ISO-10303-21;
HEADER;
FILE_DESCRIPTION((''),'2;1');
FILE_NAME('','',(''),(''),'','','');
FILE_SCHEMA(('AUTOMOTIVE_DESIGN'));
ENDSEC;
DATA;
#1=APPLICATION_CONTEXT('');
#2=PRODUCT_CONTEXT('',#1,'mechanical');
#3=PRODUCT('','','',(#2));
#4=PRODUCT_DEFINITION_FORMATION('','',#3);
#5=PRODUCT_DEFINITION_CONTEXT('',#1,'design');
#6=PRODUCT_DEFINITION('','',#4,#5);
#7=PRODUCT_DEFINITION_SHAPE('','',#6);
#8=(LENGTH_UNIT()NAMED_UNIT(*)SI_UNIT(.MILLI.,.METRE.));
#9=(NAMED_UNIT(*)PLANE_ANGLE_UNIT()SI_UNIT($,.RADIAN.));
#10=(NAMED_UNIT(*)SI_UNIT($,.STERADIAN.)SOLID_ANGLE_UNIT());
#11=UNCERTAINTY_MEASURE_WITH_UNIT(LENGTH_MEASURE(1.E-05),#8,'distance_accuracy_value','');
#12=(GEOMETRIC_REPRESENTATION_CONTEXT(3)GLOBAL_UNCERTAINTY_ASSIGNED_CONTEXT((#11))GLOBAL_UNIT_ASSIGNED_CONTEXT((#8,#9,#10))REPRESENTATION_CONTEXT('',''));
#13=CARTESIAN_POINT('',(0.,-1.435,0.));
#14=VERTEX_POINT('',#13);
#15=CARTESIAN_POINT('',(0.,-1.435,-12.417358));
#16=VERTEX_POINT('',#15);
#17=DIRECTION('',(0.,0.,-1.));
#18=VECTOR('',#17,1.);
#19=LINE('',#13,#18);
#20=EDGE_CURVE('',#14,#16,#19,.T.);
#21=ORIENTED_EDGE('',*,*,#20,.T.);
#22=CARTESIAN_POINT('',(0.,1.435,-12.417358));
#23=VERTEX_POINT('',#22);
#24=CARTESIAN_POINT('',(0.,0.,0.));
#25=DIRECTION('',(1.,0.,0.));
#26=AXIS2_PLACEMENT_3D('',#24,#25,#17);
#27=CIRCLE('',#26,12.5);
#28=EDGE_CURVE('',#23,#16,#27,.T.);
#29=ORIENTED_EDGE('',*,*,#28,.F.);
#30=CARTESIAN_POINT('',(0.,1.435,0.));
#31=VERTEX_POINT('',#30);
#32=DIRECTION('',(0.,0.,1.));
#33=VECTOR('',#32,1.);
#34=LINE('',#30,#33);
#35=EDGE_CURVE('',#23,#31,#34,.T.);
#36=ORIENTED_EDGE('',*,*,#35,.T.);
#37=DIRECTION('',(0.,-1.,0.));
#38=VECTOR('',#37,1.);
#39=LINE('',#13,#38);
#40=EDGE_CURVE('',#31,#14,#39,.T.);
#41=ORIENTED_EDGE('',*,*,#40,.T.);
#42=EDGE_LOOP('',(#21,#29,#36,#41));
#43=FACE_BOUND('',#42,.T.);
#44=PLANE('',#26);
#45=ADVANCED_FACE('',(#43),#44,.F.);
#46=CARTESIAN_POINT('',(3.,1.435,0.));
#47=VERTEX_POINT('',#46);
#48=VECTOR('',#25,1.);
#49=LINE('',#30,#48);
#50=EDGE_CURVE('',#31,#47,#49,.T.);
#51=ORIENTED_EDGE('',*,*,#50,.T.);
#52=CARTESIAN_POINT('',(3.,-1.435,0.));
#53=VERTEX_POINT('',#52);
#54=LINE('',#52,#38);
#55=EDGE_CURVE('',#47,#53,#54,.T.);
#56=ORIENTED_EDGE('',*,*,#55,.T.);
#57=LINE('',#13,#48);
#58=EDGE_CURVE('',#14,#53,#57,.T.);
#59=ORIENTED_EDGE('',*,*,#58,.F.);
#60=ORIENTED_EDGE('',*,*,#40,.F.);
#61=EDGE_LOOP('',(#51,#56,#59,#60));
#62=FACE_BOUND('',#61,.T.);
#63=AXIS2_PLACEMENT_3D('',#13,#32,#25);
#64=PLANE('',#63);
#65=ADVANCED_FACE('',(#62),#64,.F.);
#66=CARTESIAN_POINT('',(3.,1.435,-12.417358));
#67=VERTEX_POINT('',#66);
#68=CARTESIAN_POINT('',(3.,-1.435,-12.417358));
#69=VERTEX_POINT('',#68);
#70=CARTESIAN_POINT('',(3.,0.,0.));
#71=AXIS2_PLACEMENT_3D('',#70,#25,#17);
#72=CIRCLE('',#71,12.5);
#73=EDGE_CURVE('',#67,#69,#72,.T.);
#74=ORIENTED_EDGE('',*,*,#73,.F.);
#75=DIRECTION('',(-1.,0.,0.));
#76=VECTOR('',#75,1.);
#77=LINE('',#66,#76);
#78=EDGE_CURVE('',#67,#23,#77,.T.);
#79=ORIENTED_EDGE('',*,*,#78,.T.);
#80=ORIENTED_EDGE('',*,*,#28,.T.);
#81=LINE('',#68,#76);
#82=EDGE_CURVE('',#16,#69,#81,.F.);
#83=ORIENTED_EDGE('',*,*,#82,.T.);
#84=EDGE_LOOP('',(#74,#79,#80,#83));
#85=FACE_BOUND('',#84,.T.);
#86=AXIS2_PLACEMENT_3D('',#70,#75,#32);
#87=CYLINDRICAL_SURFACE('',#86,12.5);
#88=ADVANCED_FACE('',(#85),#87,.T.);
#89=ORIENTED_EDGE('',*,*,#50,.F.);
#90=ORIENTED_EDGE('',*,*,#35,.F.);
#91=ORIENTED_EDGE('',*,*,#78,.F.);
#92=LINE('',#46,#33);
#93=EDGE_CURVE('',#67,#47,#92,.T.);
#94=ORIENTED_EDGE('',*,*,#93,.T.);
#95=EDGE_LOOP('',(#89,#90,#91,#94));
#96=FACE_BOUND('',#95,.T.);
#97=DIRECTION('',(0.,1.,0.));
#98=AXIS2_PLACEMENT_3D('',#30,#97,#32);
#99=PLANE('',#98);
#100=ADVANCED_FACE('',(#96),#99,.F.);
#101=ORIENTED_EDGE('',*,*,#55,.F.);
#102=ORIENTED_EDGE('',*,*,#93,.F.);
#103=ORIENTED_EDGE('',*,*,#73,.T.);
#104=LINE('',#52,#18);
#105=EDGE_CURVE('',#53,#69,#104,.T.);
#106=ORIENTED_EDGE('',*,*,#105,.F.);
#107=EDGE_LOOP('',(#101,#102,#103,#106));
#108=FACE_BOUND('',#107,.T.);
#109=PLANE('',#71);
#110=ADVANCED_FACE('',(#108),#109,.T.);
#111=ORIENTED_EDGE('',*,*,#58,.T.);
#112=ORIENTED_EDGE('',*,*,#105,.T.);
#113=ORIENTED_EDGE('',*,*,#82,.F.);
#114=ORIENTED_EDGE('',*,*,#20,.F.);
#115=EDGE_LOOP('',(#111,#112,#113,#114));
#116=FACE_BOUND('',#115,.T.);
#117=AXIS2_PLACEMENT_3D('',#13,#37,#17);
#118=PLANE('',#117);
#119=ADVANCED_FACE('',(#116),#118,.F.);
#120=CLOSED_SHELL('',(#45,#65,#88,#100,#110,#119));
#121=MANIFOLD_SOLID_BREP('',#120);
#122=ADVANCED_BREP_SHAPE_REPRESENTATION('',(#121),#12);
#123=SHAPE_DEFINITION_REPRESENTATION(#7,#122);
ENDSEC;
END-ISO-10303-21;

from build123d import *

# Parameters (mm, degrees)
SKETCH1_R           = 12.5
BOSS_EXTRUDE1_DEPTH = 3
SKETCH2_W           = 25
SKETCH2_H           = 2.87
CUT_EXTRUDE1_DEPTH  = 3


with BuildPart() as part:
    # Sketch1 → Boss-Extrude1 (new body)
    with BuildSketch(Plane(origin=(0, 0, 0), x_dir=(0, 0, -1), z_dir=(1, 0, 0))):
        Circle(SKETCH1_R)
    extrude(amount=BOSS_EXTRUDE1_DEPTH)

    # Sketch2 → Cut-Extrude1 (cut)
    with BuildSketch(Plane(origin=(3, 0, 0), x_dir=(0, 0, -1), z_dir=(1, 0, 0))):
        with Locations((12.5, 0)):
            Rectangle(SKETCH2_W, SKETCH2_H)
    extrude(amount=-CUT_EXTRUDE1_DEPTH, mode=Mode.SUBTRACT)


solid = part.part
